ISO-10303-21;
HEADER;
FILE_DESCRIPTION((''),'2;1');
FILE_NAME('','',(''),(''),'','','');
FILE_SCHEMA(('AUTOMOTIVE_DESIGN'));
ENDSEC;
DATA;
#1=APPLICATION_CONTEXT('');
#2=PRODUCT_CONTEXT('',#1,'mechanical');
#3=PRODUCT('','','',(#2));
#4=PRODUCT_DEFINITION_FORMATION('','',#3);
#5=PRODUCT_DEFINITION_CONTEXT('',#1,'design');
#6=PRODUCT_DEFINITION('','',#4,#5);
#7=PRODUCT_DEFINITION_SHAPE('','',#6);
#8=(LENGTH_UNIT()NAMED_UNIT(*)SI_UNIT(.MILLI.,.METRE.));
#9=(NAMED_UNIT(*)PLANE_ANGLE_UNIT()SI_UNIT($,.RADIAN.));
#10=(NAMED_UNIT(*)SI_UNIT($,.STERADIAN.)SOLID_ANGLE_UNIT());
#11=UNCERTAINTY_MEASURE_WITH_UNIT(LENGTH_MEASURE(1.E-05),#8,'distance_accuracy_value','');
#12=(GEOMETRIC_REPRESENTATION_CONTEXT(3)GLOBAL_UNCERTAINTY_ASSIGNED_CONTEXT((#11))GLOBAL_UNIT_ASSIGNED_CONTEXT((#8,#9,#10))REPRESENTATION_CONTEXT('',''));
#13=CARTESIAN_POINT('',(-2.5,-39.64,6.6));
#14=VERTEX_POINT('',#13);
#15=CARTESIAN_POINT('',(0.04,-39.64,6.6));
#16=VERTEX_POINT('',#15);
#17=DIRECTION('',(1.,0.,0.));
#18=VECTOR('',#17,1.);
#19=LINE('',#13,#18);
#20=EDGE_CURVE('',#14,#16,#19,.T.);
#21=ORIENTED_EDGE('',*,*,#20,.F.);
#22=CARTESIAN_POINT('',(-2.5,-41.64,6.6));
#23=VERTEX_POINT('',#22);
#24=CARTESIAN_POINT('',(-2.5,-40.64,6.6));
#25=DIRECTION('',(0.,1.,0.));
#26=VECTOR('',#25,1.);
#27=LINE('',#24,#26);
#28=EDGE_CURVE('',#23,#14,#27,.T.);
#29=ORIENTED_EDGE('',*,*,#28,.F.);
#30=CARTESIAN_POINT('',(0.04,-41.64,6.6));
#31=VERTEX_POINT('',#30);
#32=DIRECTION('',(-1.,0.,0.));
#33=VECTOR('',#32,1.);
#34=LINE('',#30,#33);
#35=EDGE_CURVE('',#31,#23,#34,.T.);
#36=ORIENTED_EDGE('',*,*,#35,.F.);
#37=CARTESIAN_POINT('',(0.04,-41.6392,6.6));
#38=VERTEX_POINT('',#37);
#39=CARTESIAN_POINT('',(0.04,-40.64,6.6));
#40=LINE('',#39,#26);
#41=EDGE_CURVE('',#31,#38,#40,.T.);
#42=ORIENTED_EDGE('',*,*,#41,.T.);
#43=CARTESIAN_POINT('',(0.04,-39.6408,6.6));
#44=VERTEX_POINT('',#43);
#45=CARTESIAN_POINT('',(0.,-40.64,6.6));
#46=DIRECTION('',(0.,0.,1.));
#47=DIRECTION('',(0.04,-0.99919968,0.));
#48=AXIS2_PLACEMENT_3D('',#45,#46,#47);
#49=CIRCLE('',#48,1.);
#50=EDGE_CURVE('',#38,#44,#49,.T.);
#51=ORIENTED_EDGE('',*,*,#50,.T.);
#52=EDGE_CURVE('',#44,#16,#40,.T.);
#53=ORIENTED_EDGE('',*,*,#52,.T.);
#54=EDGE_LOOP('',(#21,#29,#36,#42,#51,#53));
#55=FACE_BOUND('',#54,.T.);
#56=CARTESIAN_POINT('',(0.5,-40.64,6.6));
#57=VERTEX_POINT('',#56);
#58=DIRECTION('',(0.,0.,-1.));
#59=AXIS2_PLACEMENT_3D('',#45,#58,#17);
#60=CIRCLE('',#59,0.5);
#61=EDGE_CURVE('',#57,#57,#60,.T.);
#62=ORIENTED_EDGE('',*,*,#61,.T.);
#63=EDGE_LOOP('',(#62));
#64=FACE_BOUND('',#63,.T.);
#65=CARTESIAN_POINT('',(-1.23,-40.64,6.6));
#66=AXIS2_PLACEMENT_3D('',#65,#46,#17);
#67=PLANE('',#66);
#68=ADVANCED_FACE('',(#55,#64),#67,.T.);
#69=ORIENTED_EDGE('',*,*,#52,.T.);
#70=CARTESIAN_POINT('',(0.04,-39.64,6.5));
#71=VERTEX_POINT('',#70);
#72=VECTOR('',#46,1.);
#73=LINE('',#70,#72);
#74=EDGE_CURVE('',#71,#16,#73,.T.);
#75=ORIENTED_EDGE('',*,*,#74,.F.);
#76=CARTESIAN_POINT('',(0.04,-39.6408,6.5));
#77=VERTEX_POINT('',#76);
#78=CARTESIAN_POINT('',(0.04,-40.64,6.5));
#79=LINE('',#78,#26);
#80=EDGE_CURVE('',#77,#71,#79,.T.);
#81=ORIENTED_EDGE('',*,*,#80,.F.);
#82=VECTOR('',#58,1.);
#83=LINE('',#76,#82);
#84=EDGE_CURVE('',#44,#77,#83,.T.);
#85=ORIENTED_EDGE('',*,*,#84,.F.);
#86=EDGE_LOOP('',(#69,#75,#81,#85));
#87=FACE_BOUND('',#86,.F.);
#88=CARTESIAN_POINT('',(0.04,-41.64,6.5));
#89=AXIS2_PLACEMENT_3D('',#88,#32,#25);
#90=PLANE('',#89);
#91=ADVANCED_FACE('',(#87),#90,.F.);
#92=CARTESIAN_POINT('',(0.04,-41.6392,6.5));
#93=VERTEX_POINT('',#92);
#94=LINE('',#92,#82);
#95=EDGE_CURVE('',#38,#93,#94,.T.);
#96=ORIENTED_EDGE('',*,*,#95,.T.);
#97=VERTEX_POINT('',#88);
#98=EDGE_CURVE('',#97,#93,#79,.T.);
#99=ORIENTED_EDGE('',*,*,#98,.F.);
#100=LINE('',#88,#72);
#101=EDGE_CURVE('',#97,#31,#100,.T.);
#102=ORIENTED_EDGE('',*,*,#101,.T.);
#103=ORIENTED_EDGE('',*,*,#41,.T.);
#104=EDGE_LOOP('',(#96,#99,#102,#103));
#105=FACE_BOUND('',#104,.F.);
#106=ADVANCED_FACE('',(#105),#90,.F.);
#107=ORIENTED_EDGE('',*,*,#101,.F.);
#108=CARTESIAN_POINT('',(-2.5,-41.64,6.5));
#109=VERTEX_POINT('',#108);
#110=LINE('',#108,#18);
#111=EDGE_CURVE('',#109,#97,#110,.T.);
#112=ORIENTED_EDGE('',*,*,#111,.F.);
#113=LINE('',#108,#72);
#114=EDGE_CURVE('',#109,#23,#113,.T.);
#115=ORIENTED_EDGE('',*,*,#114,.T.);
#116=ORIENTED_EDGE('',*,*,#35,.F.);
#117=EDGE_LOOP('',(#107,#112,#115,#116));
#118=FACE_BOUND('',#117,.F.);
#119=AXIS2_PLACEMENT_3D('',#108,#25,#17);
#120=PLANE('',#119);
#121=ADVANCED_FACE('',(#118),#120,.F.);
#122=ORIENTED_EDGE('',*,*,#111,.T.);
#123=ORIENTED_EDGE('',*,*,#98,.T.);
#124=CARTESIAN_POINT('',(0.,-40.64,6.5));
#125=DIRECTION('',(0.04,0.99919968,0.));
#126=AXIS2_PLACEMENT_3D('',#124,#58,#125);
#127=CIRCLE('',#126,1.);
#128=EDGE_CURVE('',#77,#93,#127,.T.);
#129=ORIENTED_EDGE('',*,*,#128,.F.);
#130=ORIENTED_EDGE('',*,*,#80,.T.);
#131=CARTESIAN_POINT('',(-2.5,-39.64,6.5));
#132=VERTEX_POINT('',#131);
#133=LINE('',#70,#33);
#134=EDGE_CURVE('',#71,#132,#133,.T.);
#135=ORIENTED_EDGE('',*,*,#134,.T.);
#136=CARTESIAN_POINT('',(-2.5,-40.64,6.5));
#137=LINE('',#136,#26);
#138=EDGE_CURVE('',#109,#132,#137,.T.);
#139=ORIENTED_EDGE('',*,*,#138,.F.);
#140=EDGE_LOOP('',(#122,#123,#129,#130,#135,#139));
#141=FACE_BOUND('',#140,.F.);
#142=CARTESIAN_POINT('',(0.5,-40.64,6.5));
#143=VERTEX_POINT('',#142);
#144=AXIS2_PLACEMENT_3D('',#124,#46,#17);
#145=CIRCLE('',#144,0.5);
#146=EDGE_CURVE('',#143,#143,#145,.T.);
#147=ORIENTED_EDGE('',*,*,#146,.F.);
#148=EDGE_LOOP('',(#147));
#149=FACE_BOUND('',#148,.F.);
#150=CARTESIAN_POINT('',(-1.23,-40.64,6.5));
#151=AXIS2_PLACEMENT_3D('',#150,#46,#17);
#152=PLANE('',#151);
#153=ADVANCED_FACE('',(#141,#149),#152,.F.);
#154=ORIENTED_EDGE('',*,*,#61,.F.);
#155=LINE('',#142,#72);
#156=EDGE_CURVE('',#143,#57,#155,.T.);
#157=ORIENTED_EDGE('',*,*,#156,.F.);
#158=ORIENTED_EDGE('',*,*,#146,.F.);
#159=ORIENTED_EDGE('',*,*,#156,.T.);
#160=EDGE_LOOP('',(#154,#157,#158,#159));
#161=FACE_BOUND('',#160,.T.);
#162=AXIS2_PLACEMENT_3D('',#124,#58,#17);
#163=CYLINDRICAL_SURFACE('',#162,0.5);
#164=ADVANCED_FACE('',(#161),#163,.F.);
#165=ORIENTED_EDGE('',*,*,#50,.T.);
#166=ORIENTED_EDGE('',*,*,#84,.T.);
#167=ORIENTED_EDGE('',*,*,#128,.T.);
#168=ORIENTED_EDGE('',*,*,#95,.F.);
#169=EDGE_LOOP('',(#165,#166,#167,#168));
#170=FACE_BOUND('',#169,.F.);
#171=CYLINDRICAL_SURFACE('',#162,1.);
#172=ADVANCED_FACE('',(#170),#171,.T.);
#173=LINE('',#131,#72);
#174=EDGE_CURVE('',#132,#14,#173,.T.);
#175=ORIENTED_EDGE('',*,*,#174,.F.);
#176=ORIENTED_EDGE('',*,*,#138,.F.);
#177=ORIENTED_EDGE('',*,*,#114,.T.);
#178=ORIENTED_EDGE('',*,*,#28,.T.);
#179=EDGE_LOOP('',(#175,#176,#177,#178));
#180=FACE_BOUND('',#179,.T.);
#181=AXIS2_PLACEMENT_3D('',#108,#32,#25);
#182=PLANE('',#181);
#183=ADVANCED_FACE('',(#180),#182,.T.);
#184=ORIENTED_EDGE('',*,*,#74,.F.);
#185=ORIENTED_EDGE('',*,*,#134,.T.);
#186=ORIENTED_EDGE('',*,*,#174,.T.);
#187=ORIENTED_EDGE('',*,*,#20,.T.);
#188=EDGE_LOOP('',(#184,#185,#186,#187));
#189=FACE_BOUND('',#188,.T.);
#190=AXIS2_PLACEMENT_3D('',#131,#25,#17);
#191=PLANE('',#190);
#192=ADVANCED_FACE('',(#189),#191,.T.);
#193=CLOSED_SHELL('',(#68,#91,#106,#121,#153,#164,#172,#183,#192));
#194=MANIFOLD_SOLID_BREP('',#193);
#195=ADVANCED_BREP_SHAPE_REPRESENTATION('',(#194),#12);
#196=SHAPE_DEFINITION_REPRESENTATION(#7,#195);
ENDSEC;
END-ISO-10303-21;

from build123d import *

# Parameters (mm, degrees)
CYLINDER050_R     = 0.5
CYLINDER050_DEPTH = 0.1
BOX019_W          = 2.54
BOX019_H          = 2
BOX019_DEPTH      = 0.1
CYLINDER049_R     = 0.5
CYLINDER049_DEPTH = 0.1
CYLINDER048_R     = 1
CYLINDER048_DEPTH = 0.1


with BuildPart() as cylinder050:
    # Cylinder050 → Cylinder050 (new body)
    with BuildSketch(Plane.XY.offset(1)):
        Circle(CYLINDER050_R)
    extrude(amount=CYLINDER050_DEPTH)


with BuildPart() as cut034:
    # Box019 → Box019 (new body)
    with BuildSketch(Plane(origin=(-2.5, -1, 1), x_dir=(1, 0, 0), z_dir=(0, 0, 1))):
        with Locations((1.27, 1)):
            Rectangle(BOX019_W, BOX019_H)
    extrude(amount=BOX019_DEPTH)

    # Cut034: cut Cylinder050
    add(cylinder050.part, mode=Mode.SUBTRACT)


with BuildPart() as cylinder049:
    # Cylinder049 → Cylinder049 (new body)
    with BuildSketch(Plane.XY.offset(1)):
        Circle(CYLINDER049_R)
    extrude(amount=CYLINDER049_DEPTH)


with BuildPart() as fusion016:
    # Cylinder048 → Cylinder048 (new body)
    with BuildSketch(Plane.XY.offset(1)):
        Circle(CYLINDER048_R)
    extrude(amount=CYLINDER048_DEPTH)

    # Cut033: cut Cylinder049
    add(cylinder049.part, mode=Mode.SUBTRACT)

    # Fusion016: union Cut034
    add(cut034.part)


with BuildPart() as fusion016_1:
    # Fusion016 placement: moved
    add(fusion016.part.moved(Location((0, -40.64, 5.5))))


solid = fusion016_1.part
